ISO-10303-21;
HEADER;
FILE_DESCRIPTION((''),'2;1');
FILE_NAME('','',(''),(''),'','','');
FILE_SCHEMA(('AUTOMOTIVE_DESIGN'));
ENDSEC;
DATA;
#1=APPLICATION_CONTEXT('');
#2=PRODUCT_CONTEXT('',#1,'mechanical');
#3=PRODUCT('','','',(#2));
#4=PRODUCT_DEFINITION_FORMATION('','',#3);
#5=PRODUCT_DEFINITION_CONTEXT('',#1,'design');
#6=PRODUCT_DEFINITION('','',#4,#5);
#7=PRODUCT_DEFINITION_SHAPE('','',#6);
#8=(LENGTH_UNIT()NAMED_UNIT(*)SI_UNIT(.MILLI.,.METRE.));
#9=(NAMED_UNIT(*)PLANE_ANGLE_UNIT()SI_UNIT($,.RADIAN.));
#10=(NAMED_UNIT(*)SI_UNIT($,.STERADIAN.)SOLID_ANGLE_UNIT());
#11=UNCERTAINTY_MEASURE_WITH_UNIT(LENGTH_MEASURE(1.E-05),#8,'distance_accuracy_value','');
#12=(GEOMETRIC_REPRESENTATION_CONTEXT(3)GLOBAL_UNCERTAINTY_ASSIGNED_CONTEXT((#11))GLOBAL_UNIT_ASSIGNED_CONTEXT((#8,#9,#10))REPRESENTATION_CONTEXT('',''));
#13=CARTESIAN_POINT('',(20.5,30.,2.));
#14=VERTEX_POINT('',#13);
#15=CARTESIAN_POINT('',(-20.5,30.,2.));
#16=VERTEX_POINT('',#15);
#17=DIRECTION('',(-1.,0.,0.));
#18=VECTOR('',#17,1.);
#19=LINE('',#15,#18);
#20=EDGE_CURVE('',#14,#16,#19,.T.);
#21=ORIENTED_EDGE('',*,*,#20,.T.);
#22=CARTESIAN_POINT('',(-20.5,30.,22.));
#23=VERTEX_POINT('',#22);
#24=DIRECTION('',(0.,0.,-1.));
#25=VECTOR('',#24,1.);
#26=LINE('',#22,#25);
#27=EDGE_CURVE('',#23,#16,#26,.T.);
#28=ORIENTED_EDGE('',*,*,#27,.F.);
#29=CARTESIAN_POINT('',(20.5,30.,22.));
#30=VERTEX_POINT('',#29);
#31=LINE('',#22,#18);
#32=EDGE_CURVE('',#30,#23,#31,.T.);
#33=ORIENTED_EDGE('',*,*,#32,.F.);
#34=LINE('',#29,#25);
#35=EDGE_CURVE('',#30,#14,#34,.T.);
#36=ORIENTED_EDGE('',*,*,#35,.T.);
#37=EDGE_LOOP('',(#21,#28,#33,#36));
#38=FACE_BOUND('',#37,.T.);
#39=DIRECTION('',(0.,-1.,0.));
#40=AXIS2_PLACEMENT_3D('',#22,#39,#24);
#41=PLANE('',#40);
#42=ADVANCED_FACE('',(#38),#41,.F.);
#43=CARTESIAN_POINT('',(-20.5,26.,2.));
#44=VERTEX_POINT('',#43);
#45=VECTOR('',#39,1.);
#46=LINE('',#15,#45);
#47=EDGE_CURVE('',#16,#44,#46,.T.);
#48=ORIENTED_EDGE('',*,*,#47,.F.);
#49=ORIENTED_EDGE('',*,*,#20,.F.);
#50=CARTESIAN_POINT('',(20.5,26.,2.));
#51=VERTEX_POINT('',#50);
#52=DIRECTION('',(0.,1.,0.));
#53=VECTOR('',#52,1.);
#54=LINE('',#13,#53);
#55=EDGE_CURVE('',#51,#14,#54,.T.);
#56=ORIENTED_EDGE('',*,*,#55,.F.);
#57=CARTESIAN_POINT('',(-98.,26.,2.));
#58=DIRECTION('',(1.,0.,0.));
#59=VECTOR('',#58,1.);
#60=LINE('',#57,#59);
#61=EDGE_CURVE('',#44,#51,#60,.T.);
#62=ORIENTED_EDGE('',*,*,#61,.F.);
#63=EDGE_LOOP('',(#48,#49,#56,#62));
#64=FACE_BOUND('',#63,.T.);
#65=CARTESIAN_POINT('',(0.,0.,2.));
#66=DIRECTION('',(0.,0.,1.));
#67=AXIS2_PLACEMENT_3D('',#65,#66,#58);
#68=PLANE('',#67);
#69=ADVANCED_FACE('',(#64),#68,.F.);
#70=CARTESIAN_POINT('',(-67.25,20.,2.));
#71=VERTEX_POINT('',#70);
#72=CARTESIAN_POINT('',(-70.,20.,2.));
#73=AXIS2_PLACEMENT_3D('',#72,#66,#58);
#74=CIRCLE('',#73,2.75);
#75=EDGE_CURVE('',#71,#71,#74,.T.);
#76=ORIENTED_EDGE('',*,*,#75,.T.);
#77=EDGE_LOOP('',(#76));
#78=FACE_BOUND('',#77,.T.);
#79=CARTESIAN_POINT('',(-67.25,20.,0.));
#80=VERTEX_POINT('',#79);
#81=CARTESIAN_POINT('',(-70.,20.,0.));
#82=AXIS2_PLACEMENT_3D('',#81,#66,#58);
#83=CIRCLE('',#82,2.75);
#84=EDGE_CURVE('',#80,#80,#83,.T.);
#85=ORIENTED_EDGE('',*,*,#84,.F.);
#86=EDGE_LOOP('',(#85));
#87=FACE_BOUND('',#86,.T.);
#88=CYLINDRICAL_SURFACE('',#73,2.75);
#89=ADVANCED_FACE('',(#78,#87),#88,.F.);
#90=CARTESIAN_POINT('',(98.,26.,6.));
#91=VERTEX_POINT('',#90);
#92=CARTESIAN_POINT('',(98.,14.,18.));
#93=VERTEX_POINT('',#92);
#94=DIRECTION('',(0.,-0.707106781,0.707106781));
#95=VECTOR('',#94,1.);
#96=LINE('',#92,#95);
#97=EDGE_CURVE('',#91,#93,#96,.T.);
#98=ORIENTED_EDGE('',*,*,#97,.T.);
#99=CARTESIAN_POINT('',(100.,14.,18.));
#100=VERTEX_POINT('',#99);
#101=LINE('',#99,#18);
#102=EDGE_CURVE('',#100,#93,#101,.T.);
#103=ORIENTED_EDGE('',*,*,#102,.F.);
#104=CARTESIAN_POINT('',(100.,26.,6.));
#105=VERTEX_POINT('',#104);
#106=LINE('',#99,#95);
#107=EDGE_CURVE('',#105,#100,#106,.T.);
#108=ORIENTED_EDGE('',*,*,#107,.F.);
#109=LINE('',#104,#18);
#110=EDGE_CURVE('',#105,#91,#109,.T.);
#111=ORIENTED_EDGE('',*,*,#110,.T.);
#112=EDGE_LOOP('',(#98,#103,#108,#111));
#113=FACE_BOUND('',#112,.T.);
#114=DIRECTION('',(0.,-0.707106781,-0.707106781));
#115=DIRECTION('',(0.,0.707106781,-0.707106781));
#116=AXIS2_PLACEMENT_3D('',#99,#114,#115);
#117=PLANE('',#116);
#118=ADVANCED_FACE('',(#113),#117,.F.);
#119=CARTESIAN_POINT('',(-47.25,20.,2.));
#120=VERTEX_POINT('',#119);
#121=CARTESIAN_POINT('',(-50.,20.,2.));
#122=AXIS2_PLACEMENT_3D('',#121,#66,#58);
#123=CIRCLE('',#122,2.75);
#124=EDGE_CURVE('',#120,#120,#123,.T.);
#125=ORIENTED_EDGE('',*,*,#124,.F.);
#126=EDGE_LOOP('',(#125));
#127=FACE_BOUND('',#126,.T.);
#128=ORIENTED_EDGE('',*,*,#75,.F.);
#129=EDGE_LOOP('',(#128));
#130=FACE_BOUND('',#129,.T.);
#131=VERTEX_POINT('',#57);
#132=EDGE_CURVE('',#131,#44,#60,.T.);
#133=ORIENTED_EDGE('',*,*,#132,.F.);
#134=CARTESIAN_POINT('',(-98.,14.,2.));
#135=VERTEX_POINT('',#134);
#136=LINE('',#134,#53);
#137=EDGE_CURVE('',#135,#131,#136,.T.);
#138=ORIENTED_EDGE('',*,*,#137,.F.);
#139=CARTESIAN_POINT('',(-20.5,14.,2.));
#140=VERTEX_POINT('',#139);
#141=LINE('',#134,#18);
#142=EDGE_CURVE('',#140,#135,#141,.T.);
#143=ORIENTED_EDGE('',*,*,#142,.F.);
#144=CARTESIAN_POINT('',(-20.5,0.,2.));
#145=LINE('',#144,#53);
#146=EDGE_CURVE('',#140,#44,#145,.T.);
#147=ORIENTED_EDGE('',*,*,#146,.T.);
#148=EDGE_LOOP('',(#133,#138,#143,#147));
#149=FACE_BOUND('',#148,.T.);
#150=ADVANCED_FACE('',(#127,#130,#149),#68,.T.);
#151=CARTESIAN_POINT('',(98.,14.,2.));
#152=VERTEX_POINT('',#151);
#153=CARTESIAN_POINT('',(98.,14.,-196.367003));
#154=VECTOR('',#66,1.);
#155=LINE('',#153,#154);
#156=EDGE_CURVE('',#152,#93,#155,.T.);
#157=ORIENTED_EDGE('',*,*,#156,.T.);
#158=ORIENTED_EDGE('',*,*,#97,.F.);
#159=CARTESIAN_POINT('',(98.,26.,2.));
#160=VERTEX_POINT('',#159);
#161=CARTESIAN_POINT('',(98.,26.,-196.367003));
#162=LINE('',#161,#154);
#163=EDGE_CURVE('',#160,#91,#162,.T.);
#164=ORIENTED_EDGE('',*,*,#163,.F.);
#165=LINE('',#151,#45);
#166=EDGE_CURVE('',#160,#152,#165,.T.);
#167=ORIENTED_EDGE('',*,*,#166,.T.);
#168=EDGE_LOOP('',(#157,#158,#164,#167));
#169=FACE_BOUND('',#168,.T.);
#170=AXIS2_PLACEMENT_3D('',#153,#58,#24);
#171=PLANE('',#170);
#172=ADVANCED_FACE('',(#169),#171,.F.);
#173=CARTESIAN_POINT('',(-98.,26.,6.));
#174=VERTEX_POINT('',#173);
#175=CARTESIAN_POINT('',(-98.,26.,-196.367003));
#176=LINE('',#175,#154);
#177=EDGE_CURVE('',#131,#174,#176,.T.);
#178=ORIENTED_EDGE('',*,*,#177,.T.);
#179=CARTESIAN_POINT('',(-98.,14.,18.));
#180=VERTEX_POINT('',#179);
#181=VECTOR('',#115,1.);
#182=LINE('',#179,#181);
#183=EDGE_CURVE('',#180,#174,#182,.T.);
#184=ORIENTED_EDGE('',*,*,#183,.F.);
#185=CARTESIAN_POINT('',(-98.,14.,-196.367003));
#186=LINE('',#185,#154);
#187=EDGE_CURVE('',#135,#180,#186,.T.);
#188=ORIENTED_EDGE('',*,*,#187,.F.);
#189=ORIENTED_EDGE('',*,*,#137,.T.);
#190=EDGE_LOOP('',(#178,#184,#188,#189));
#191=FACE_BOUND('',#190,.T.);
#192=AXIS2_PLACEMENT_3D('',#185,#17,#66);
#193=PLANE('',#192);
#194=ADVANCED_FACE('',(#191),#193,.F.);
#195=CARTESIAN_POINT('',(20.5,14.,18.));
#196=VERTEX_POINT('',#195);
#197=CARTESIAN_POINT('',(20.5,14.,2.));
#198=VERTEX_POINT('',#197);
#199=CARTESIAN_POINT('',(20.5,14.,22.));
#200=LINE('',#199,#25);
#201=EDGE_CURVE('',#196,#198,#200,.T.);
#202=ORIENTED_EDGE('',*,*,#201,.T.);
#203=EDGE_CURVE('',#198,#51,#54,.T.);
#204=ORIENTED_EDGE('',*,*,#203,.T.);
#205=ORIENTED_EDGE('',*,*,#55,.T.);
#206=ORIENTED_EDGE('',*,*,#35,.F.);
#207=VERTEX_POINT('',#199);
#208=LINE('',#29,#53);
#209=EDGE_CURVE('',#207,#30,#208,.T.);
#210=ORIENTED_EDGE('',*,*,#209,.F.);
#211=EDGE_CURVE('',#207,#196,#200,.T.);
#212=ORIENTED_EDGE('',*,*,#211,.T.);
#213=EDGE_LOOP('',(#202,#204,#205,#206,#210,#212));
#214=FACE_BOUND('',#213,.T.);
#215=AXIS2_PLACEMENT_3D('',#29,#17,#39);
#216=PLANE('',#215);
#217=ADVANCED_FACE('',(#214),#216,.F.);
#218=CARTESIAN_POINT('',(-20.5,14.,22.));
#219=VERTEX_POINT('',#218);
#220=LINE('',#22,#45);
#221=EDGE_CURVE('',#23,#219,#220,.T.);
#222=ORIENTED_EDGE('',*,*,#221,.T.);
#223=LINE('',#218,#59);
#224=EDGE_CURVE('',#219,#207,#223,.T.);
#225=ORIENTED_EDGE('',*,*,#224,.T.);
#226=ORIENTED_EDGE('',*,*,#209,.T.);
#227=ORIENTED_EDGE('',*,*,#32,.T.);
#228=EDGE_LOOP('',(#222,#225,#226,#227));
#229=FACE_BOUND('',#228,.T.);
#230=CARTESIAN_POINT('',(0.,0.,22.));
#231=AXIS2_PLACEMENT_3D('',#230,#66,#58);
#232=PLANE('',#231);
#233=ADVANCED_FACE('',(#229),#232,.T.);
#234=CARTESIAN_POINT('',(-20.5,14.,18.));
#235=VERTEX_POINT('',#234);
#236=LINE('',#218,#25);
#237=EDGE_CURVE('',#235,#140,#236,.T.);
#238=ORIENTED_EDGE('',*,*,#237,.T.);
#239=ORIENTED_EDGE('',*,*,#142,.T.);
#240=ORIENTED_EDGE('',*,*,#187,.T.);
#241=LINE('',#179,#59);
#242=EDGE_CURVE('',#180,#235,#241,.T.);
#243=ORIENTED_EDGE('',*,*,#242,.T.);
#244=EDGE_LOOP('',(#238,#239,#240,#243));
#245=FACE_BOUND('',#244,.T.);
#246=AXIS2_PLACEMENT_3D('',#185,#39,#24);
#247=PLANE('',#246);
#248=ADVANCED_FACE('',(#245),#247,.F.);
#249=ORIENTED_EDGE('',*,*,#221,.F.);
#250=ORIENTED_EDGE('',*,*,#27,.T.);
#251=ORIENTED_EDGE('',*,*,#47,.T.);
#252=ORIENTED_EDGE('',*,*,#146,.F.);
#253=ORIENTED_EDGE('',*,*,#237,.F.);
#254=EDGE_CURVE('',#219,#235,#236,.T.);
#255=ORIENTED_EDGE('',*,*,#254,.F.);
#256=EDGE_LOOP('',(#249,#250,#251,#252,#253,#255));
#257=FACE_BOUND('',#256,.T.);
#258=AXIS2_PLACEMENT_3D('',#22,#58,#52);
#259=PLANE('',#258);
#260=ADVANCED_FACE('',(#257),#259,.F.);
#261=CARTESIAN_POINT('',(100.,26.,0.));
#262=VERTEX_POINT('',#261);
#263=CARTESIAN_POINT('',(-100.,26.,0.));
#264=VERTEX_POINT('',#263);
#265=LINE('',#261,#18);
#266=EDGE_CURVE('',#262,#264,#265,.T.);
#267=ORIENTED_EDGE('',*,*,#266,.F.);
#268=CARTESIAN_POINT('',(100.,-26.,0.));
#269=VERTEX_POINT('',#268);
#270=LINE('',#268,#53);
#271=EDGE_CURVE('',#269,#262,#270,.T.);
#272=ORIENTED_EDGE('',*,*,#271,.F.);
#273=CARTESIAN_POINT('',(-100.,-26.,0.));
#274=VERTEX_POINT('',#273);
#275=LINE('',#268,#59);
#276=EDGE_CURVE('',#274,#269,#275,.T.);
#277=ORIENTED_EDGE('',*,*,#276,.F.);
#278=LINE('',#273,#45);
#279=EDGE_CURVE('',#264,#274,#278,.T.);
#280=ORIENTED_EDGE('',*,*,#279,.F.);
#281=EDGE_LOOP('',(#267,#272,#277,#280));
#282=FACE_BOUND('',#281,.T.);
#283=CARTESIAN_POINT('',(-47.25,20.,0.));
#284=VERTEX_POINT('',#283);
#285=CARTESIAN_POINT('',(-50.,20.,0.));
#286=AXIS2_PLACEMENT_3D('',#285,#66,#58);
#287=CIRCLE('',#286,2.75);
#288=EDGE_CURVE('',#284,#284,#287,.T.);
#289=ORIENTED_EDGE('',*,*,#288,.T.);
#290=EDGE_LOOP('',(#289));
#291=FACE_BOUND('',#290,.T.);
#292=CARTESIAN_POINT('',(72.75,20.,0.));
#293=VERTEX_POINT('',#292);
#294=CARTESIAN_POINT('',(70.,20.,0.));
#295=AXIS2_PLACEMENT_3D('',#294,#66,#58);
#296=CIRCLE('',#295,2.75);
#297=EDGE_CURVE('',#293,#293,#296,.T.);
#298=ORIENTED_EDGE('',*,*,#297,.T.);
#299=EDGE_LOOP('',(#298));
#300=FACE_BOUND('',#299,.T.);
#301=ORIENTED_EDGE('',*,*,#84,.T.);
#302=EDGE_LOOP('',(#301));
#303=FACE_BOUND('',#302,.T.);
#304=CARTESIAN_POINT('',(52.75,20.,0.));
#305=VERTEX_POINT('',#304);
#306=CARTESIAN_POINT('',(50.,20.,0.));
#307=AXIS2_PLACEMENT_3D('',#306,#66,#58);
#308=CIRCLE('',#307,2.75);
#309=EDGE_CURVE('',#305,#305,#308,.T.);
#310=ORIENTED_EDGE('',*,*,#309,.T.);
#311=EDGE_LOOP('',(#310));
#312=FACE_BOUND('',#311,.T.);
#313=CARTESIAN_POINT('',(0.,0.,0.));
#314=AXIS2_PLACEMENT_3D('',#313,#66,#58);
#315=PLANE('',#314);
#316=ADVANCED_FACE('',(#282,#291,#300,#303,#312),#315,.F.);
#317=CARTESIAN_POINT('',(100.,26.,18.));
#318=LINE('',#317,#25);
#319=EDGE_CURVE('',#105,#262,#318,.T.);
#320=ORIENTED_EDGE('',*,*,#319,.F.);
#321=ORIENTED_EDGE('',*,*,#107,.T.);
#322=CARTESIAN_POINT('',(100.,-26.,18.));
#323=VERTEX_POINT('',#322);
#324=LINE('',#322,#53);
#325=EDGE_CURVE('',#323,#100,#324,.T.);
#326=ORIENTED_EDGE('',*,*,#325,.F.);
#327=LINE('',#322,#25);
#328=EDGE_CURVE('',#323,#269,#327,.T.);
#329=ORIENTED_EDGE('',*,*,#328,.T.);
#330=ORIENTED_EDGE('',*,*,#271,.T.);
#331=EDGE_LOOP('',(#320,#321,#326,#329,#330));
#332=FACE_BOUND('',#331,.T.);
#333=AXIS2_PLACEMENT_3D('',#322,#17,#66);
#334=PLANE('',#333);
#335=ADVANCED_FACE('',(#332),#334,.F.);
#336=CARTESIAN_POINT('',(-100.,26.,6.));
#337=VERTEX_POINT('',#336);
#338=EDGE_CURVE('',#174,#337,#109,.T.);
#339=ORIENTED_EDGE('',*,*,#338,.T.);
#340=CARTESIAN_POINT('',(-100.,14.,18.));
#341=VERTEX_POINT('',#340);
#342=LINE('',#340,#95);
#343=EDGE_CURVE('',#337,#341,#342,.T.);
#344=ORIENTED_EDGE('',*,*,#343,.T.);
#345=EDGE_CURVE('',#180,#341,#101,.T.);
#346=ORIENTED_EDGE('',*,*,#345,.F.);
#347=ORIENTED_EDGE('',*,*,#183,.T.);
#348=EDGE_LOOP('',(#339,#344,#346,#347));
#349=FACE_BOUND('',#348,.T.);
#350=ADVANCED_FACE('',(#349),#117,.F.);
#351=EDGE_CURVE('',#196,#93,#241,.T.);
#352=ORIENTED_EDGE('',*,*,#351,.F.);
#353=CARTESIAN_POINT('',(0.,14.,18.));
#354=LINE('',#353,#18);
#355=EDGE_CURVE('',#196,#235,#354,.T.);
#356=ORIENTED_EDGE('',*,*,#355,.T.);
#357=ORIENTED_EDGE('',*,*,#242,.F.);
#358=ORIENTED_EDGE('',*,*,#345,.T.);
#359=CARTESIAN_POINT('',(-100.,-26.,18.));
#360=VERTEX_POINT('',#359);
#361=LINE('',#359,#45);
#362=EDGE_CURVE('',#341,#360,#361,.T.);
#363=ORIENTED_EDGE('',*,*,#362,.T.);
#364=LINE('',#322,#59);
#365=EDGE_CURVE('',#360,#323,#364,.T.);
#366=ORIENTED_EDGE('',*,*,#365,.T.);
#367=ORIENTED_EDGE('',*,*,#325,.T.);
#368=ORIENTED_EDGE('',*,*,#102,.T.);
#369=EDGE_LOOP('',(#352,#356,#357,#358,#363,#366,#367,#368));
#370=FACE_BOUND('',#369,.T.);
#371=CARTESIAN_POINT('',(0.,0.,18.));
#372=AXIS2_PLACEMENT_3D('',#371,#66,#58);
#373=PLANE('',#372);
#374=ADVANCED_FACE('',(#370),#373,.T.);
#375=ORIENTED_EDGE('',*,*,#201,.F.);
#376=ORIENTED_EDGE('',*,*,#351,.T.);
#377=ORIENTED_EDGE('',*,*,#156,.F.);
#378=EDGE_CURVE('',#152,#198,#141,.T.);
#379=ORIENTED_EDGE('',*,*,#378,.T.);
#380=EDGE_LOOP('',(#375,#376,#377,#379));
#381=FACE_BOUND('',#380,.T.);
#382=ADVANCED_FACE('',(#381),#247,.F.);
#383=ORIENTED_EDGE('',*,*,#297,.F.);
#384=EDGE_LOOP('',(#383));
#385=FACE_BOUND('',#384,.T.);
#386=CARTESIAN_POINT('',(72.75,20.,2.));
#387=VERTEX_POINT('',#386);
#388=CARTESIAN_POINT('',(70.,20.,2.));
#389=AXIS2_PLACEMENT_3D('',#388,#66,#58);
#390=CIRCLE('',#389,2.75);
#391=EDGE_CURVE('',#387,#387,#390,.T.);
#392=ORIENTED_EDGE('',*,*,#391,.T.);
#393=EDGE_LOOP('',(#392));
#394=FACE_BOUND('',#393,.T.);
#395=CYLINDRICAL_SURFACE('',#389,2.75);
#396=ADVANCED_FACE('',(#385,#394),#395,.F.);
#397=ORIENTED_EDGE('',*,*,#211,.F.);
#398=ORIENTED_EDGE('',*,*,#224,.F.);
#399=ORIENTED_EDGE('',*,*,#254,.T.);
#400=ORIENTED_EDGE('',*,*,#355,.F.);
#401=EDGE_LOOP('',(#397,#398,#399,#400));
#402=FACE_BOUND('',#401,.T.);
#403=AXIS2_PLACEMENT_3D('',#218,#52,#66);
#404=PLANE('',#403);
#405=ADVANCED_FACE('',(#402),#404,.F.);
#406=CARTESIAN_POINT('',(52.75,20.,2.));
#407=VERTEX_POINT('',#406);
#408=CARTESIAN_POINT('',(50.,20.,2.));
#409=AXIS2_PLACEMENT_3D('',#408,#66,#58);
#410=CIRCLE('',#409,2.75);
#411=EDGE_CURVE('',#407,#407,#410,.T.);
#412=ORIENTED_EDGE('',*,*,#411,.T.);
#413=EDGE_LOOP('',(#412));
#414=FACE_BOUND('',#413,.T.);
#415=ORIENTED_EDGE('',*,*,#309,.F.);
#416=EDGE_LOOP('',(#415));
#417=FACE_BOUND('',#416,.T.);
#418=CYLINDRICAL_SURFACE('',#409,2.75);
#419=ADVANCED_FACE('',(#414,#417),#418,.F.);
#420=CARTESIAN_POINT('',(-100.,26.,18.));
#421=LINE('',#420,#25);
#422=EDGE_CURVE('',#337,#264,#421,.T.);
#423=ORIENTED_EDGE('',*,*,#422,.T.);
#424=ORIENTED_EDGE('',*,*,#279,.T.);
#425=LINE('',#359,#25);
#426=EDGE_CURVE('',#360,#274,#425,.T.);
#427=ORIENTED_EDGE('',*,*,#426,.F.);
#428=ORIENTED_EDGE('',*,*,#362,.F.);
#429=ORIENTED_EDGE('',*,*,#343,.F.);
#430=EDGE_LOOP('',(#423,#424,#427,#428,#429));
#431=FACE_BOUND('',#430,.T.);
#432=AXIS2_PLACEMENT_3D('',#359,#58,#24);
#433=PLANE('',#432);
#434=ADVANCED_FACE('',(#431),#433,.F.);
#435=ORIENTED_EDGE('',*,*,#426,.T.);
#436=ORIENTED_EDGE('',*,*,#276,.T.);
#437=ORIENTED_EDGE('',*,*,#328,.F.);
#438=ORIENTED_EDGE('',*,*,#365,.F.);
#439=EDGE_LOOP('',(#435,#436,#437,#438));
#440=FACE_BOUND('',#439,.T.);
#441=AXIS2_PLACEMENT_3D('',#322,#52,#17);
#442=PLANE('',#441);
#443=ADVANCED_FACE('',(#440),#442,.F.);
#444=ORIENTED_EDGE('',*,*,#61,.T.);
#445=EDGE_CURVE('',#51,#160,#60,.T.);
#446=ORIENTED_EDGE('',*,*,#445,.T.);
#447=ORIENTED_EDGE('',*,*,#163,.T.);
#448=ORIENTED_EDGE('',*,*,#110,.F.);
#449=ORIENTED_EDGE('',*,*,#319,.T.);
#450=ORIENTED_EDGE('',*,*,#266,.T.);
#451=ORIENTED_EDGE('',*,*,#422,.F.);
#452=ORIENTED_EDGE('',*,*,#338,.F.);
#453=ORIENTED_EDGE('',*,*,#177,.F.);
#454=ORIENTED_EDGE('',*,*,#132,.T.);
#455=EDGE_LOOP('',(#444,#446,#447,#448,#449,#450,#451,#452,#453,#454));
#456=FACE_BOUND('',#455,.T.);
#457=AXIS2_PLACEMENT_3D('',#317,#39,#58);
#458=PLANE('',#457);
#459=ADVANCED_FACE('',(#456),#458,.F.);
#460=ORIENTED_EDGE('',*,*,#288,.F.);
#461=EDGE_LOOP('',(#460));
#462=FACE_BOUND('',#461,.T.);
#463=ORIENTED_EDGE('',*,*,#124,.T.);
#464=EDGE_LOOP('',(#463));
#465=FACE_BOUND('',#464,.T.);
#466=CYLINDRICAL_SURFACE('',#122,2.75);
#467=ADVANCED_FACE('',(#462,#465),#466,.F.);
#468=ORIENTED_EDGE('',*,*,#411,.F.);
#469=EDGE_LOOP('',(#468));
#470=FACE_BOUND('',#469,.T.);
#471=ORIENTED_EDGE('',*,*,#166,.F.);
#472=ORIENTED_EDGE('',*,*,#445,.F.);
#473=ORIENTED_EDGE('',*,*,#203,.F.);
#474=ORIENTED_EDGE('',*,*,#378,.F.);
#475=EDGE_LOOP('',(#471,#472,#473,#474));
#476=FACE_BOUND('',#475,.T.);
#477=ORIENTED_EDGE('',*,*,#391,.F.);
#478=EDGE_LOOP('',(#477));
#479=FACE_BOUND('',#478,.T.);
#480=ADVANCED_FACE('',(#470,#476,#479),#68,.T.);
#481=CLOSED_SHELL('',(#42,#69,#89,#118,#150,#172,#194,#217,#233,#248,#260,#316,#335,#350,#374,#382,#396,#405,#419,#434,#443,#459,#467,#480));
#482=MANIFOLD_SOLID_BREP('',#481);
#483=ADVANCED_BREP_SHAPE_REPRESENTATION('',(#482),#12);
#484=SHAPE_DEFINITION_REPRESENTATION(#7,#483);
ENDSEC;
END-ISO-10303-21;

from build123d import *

# Parameters (mm, degrees)
SKETCH_1_W          = 200
SKETCH_1_H          = 52
EXTRUDE_1_DEPTH     = 18
CUT_EXTRUDE_1_DEPTH = 203.484567313
SKETCH_3_W          = 196
SKETCH_3_H          = 12
CUT_EXTRUDE_2_DEPTH = 16
HOLE_WIZARD_M5_1_D  = 5.5
SKETCH_6_W          = 41
SKETCH_6_H          = 16
EXTRUDE_2_DEPTH     = 20


with BuildPart() as part:
    # 草图1 → 凸台-拉伸1 (new body)
    with BuildSketch(Plane.XY):
        Rectangle(SKETCH_1_W, SKETCH_1_H)
    extrude(amount=EXTRUDE_1_DEPTH)

    # 草图2 → 切除-拉伸1 (cut, through all)
    with BuildSketch(Plane.ZY.offset(100)):
        Polygon((18, 14), (6, 26), (18, 26), align=None)
    extrude(amount=-CUT_EXTRUDE_1_DEPTH, mode=Mode.SUBTRACT)

    # 草图3 → 切除-拉伸2 (cut)
    with BuildSketch(Plane.XY.offset(18)):
        with Locations((0, 20)):
            Rectangle(SKETCH_3_W, SKETCH_3_H)
    extrude(amount=-CUT_EXTRUDE_2_DEPTH, mode=Mode.SUBTRACT)

    # M5 间隙孔1 (through all)
    with Locations(Plane.XY.offset(2)):
        with Locations((-50, 20), (50, 20), (70, 20), (-70, 20)):
            Hole(HOLE_WIZARD_M5_1_D / 2)

    # 草图6 → 凸台-拉伸2 (add)
    with BuildSketch(Plane.XY.offset(2)):
        with Locations((0, 22)):
            Rectangle(SKETCH_6_W, SKETCH_6_H)
    extrude(amount=EXTRUDE_2_DEPTH)


solid = part.part
